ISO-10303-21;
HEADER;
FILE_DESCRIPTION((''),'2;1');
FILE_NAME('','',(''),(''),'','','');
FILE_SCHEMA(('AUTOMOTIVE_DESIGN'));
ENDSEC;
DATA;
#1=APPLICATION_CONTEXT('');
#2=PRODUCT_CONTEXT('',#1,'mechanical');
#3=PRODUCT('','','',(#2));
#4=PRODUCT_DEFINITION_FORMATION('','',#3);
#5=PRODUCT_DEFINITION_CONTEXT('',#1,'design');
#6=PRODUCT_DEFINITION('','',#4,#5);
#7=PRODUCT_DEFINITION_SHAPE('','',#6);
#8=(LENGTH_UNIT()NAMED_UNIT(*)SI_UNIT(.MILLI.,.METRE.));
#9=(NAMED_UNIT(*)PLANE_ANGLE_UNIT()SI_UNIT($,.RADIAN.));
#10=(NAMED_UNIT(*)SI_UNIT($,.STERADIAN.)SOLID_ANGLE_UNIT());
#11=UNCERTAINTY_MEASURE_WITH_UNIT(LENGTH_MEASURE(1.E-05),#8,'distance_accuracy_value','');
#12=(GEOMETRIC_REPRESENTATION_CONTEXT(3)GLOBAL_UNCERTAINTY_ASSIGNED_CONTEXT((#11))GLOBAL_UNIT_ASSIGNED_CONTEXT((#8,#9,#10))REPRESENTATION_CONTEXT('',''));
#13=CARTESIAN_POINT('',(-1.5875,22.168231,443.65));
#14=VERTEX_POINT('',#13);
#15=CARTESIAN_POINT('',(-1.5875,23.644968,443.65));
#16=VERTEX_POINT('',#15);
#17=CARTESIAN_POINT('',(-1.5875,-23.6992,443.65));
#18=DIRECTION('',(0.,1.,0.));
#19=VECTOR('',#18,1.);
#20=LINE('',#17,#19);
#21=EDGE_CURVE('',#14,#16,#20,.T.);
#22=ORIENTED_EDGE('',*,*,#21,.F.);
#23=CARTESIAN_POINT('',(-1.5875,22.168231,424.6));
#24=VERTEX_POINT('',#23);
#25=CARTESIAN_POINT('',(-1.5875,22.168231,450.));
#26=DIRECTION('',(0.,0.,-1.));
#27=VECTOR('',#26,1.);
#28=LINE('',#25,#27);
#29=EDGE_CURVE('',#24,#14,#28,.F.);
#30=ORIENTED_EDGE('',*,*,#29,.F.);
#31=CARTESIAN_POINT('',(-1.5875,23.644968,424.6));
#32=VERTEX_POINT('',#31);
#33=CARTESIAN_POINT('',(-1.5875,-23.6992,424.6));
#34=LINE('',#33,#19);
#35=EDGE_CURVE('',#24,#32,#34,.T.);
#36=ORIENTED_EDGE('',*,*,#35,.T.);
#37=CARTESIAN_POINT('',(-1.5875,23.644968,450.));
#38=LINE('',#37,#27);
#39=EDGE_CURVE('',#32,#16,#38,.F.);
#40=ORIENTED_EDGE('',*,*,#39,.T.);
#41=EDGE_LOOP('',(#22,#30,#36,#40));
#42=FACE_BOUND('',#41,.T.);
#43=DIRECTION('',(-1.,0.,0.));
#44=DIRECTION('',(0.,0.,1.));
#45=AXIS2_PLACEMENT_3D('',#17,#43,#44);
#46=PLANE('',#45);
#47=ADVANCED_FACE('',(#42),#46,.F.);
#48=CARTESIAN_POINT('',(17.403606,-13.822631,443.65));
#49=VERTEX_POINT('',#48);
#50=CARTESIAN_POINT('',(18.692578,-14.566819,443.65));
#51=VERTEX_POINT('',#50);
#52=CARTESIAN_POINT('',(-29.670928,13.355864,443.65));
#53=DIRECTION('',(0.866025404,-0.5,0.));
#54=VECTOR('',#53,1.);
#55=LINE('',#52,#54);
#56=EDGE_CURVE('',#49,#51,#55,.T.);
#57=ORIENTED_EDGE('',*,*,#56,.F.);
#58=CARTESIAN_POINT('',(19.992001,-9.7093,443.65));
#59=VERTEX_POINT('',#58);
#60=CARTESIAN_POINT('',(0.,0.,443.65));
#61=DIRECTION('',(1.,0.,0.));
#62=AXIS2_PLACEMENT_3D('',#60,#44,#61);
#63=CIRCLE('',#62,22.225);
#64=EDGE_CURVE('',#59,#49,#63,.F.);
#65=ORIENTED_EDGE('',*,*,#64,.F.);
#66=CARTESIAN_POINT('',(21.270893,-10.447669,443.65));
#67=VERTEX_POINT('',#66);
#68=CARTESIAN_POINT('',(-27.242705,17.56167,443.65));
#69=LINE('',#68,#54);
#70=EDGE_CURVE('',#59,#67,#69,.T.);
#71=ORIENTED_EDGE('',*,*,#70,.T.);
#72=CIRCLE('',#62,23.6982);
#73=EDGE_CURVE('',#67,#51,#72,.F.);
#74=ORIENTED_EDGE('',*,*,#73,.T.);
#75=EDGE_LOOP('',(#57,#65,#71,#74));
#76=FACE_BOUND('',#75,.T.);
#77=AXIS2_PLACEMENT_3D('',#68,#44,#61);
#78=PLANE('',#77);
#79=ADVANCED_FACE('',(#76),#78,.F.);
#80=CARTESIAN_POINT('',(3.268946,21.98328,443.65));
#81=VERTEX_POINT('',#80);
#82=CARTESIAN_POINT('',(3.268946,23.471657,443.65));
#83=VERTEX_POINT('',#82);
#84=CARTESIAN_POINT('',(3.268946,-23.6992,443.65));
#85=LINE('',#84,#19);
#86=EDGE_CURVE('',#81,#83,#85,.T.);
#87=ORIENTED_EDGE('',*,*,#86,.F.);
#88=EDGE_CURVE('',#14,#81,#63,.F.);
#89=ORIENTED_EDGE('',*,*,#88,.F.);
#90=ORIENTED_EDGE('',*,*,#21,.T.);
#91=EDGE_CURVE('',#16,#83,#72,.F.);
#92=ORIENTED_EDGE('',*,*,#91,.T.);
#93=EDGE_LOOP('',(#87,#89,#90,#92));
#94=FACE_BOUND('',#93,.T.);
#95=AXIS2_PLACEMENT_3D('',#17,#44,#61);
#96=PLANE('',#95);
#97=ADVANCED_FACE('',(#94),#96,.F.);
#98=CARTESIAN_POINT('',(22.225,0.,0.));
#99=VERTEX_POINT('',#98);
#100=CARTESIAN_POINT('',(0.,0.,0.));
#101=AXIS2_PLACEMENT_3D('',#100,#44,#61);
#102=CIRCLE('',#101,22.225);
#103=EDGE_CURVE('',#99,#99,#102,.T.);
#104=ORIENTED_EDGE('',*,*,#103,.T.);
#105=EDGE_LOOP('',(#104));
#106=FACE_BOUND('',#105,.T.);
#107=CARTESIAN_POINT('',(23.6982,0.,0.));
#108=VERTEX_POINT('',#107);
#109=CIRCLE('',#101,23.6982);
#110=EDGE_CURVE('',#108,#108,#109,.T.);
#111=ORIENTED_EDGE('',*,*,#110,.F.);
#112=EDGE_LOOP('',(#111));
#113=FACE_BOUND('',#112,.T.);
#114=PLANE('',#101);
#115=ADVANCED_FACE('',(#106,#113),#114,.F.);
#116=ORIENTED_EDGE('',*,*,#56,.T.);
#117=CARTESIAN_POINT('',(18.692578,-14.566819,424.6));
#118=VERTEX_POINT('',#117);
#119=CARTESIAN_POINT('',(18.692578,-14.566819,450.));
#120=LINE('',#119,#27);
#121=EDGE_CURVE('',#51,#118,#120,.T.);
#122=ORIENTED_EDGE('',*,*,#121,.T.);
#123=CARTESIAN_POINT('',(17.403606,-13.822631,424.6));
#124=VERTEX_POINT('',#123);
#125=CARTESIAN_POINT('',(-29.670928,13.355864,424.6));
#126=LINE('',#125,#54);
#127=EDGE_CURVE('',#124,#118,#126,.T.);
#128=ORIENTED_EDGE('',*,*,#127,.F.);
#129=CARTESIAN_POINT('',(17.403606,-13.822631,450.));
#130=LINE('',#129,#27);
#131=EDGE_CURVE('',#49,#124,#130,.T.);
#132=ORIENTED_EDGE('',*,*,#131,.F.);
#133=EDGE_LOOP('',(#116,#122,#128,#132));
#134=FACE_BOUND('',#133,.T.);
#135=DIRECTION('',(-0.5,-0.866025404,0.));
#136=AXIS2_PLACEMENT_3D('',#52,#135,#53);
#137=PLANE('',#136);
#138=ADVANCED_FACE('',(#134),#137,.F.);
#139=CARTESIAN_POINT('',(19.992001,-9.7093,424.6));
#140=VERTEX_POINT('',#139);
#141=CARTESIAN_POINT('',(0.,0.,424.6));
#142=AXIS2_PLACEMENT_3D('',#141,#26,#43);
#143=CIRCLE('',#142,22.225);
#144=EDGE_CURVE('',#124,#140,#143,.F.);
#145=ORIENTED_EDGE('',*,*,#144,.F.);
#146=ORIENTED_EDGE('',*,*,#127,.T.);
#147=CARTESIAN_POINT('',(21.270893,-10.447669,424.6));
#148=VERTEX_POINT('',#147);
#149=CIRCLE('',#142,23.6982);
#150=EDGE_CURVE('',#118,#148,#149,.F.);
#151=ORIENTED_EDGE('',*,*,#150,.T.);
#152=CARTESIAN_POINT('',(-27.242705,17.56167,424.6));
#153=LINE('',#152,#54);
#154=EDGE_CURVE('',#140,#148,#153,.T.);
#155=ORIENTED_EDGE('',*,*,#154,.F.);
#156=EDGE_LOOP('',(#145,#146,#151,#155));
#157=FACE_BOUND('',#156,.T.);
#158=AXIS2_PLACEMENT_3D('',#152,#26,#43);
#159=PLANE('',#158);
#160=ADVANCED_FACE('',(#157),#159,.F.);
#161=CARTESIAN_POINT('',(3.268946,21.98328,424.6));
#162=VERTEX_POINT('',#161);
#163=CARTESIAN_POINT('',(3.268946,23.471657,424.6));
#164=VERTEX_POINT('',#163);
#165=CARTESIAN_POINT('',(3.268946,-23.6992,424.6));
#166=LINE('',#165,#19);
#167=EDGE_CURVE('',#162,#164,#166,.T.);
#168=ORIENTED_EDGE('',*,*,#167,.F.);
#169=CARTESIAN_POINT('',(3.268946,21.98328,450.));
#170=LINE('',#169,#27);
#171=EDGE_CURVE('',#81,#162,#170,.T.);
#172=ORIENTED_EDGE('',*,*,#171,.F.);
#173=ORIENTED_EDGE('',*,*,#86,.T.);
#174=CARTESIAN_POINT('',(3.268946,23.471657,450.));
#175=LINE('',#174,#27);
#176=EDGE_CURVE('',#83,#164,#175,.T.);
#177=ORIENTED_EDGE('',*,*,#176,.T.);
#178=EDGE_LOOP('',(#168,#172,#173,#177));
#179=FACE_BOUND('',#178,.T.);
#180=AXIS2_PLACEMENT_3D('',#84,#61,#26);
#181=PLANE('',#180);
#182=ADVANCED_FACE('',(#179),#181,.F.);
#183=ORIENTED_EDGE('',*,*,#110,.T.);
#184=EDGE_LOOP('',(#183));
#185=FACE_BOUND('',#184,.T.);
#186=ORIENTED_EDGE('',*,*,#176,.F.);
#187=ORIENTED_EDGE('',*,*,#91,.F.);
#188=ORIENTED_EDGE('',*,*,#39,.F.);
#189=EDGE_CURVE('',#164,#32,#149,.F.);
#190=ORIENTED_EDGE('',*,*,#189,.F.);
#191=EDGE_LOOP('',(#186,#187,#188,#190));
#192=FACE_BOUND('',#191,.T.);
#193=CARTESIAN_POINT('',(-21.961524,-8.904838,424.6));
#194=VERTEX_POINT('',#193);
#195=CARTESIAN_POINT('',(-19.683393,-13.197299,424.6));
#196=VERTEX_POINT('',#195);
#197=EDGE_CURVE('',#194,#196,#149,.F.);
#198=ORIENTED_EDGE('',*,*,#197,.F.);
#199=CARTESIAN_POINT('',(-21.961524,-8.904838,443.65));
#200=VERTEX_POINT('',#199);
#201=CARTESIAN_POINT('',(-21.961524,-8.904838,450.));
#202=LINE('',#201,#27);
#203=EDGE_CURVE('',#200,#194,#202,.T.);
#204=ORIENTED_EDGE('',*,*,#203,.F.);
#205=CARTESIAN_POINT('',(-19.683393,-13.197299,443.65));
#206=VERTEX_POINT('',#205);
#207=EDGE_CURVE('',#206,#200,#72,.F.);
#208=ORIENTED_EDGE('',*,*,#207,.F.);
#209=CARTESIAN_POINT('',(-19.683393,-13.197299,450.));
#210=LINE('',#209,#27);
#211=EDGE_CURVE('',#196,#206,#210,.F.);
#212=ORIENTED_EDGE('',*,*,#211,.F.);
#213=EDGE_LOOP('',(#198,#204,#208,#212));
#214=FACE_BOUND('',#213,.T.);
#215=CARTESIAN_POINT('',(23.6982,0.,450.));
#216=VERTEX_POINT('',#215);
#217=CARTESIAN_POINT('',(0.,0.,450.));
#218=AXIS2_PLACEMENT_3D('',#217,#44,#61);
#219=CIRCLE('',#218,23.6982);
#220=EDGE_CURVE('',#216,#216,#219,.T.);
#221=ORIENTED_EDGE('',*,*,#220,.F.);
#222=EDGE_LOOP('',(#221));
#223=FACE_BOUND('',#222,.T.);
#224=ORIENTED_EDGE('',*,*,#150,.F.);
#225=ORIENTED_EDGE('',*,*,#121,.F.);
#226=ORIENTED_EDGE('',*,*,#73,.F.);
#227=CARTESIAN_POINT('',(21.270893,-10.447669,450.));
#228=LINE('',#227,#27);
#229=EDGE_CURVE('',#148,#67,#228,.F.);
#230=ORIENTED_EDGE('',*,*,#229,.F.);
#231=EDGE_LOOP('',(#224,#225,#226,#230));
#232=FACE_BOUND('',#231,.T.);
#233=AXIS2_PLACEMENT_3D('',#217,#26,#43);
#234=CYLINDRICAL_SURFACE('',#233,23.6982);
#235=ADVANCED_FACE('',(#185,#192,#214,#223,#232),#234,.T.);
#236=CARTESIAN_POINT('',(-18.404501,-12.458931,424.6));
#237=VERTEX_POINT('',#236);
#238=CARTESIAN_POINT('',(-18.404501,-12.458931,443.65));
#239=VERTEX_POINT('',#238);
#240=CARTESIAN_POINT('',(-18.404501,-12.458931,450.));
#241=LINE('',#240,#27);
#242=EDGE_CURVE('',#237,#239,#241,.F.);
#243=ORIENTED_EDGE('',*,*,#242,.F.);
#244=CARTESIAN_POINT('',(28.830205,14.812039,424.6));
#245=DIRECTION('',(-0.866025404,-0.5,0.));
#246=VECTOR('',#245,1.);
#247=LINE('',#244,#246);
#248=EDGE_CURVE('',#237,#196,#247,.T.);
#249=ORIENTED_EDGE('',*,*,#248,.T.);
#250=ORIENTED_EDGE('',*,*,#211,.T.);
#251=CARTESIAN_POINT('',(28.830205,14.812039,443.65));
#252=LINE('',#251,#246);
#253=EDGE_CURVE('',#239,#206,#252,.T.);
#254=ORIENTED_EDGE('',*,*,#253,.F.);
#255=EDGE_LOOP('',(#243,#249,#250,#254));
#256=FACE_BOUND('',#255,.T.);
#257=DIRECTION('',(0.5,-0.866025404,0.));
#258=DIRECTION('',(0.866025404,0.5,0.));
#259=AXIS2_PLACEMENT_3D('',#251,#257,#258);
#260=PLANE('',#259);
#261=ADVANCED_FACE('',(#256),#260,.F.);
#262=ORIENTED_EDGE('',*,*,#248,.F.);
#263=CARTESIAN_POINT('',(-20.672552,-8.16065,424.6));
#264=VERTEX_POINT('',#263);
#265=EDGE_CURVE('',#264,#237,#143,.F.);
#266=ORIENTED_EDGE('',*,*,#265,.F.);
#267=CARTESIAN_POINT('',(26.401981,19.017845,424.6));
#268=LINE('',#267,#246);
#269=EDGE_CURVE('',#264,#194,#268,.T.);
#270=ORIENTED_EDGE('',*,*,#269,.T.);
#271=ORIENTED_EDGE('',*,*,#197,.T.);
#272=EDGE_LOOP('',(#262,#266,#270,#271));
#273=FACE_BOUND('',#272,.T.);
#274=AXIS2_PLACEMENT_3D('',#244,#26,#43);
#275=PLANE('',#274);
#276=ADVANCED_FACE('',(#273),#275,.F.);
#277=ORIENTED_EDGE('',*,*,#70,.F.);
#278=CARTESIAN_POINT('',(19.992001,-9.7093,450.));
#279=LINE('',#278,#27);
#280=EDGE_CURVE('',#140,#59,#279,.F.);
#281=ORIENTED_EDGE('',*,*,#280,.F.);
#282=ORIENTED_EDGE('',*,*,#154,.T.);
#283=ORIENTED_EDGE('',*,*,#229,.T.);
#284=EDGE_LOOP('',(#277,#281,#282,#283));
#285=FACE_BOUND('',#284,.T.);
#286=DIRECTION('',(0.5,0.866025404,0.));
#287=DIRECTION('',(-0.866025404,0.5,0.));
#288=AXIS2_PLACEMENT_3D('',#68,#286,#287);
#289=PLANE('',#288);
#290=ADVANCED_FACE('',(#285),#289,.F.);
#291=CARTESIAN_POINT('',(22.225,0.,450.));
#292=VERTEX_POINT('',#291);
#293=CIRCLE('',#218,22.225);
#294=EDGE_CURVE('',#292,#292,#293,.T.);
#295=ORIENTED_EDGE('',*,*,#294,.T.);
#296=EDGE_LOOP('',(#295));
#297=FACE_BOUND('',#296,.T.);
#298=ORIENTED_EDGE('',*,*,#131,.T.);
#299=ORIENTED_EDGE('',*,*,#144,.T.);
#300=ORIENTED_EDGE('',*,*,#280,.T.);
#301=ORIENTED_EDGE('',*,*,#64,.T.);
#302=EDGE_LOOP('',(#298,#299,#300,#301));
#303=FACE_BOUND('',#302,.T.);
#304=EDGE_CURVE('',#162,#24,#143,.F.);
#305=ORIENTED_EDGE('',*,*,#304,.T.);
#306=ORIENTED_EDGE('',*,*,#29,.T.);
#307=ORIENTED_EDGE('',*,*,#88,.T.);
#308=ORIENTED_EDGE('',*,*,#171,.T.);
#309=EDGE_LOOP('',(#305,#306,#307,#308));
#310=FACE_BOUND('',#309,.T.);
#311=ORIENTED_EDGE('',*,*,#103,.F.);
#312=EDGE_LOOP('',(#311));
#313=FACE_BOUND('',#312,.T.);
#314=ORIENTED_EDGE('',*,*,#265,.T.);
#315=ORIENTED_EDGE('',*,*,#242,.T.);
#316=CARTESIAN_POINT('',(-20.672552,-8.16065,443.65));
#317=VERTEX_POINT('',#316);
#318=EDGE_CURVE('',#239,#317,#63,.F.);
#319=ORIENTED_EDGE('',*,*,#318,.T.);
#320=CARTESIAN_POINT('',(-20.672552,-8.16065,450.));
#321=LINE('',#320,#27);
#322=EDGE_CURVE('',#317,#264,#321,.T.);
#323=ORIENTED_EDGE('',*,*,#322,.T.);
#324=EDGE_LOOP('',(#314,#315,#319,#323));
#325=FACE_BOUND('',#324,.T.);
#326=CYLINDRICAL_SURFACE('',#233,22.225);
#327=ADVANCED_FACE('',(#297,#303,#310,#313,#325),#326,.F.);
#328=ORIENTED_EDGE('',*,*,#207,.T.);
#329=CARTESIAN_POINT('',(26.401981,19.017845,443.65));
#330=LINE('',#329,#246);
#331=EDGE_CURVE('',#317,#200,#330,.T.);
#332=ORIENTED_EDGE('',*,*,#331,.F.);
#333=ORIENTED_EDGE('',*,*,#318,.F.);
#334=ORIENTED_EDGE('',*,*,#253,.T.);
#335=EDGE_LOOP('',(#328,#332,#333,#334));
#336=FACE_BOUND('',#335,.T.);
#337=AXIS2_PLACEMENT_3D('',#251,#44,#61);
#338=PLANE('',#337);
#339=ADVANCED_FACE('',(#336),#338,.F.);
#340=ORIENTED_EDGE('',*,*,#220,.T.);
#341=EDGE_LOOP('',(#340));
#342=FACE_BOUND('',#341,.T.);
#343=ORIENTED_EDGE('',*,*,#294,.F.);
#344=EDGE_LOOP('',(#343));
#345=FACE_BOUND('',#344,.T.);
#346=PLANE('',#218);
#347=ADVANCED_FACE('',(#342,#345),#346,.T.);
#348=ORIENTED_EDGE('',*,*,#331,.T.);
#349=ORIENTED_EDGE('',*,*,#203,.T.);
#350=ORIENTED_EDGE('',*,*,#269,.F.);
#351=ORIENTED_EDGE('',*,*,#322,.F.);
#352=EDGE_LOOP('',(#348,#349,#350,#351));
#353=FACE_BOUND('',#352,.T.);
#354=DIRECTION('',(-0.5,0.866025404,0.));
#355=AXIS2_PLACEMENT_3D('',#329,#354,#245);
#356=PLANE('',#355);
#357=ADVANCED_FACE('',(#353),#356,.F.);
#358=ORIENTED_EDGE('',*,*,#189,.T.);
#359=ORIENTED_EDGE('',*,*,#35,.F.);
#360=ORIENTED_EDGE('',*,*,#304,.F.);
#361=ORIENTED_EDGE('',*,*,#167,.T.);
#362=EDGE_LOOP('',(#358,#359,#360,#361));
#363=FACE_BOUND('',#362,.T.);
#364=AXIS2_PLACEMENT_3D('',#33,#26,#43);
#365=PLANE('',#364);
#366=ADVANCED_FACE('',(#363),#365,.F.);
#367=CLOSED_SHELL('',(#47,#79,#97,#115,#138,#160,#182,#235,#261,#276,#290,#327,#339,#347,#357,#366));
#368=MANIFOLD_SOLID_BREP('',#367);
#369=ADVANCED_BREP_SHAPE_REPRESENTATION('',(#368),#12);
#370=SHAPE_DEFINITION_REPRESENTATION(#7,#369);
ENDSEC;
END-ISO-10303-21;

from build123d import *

# Parameters (mm, degrees)
SKETCH1_R           = 23.6982
SKETCH1_R_2         = 22.225
BOSS_EXTRUDE1_DEPTH = 450
CUT_EXTRUDE2_START  = -28.81672
SKETCH3_W           = 4.856446364
SKETCH3_H           = 19.05
CUT_EXTRUDE2_DEPTH  = 1.71492
CIRPATTERN4_COUNT   = 3


with BuildPart() as part:
    # Sketch1 → Boss-Extrude1 (new body)
    with BuildSketch(Plane.XY):
        Circle(SKETCH1_R)
        Circle(SKETCH1_R_2, mode=Mode.SUBTRACT)
    extrude(amount=BOSS_EXTRUDE1_DEPTH)

    # Sketch3 → Cut-Extrude2 (cut)
    with BuildSketch(Plane(origin=(0, 50.8, 0), x_dir=(1, 0, 0), z_dir=(0, 1, 0)).offset(CUT_EXTRUDE2_START)):
        with Locations((0.840723182, -434.125)):
            Rectangle(SKETCH3_W, SKETCH3_H)
    cut_extrude2 = extrude(amount=CUT_EXTRUDE2_DEPTH, mode=Mode.SUBTRACT)

    # CirPattern4: Cut-Extrude2 ×3 about axis
    cirpattern4_axis = Axis((0, 0, 0), (0, 0, 1))
    for i in range(1, CIRPATTERN4_COUNT):
        add(cut_extrude2.rotate(cirpattern4_axis, i * 360 / CIRPATTERN4_COUNT), mode=Mode.SUBTRACT)


solid = part.part
